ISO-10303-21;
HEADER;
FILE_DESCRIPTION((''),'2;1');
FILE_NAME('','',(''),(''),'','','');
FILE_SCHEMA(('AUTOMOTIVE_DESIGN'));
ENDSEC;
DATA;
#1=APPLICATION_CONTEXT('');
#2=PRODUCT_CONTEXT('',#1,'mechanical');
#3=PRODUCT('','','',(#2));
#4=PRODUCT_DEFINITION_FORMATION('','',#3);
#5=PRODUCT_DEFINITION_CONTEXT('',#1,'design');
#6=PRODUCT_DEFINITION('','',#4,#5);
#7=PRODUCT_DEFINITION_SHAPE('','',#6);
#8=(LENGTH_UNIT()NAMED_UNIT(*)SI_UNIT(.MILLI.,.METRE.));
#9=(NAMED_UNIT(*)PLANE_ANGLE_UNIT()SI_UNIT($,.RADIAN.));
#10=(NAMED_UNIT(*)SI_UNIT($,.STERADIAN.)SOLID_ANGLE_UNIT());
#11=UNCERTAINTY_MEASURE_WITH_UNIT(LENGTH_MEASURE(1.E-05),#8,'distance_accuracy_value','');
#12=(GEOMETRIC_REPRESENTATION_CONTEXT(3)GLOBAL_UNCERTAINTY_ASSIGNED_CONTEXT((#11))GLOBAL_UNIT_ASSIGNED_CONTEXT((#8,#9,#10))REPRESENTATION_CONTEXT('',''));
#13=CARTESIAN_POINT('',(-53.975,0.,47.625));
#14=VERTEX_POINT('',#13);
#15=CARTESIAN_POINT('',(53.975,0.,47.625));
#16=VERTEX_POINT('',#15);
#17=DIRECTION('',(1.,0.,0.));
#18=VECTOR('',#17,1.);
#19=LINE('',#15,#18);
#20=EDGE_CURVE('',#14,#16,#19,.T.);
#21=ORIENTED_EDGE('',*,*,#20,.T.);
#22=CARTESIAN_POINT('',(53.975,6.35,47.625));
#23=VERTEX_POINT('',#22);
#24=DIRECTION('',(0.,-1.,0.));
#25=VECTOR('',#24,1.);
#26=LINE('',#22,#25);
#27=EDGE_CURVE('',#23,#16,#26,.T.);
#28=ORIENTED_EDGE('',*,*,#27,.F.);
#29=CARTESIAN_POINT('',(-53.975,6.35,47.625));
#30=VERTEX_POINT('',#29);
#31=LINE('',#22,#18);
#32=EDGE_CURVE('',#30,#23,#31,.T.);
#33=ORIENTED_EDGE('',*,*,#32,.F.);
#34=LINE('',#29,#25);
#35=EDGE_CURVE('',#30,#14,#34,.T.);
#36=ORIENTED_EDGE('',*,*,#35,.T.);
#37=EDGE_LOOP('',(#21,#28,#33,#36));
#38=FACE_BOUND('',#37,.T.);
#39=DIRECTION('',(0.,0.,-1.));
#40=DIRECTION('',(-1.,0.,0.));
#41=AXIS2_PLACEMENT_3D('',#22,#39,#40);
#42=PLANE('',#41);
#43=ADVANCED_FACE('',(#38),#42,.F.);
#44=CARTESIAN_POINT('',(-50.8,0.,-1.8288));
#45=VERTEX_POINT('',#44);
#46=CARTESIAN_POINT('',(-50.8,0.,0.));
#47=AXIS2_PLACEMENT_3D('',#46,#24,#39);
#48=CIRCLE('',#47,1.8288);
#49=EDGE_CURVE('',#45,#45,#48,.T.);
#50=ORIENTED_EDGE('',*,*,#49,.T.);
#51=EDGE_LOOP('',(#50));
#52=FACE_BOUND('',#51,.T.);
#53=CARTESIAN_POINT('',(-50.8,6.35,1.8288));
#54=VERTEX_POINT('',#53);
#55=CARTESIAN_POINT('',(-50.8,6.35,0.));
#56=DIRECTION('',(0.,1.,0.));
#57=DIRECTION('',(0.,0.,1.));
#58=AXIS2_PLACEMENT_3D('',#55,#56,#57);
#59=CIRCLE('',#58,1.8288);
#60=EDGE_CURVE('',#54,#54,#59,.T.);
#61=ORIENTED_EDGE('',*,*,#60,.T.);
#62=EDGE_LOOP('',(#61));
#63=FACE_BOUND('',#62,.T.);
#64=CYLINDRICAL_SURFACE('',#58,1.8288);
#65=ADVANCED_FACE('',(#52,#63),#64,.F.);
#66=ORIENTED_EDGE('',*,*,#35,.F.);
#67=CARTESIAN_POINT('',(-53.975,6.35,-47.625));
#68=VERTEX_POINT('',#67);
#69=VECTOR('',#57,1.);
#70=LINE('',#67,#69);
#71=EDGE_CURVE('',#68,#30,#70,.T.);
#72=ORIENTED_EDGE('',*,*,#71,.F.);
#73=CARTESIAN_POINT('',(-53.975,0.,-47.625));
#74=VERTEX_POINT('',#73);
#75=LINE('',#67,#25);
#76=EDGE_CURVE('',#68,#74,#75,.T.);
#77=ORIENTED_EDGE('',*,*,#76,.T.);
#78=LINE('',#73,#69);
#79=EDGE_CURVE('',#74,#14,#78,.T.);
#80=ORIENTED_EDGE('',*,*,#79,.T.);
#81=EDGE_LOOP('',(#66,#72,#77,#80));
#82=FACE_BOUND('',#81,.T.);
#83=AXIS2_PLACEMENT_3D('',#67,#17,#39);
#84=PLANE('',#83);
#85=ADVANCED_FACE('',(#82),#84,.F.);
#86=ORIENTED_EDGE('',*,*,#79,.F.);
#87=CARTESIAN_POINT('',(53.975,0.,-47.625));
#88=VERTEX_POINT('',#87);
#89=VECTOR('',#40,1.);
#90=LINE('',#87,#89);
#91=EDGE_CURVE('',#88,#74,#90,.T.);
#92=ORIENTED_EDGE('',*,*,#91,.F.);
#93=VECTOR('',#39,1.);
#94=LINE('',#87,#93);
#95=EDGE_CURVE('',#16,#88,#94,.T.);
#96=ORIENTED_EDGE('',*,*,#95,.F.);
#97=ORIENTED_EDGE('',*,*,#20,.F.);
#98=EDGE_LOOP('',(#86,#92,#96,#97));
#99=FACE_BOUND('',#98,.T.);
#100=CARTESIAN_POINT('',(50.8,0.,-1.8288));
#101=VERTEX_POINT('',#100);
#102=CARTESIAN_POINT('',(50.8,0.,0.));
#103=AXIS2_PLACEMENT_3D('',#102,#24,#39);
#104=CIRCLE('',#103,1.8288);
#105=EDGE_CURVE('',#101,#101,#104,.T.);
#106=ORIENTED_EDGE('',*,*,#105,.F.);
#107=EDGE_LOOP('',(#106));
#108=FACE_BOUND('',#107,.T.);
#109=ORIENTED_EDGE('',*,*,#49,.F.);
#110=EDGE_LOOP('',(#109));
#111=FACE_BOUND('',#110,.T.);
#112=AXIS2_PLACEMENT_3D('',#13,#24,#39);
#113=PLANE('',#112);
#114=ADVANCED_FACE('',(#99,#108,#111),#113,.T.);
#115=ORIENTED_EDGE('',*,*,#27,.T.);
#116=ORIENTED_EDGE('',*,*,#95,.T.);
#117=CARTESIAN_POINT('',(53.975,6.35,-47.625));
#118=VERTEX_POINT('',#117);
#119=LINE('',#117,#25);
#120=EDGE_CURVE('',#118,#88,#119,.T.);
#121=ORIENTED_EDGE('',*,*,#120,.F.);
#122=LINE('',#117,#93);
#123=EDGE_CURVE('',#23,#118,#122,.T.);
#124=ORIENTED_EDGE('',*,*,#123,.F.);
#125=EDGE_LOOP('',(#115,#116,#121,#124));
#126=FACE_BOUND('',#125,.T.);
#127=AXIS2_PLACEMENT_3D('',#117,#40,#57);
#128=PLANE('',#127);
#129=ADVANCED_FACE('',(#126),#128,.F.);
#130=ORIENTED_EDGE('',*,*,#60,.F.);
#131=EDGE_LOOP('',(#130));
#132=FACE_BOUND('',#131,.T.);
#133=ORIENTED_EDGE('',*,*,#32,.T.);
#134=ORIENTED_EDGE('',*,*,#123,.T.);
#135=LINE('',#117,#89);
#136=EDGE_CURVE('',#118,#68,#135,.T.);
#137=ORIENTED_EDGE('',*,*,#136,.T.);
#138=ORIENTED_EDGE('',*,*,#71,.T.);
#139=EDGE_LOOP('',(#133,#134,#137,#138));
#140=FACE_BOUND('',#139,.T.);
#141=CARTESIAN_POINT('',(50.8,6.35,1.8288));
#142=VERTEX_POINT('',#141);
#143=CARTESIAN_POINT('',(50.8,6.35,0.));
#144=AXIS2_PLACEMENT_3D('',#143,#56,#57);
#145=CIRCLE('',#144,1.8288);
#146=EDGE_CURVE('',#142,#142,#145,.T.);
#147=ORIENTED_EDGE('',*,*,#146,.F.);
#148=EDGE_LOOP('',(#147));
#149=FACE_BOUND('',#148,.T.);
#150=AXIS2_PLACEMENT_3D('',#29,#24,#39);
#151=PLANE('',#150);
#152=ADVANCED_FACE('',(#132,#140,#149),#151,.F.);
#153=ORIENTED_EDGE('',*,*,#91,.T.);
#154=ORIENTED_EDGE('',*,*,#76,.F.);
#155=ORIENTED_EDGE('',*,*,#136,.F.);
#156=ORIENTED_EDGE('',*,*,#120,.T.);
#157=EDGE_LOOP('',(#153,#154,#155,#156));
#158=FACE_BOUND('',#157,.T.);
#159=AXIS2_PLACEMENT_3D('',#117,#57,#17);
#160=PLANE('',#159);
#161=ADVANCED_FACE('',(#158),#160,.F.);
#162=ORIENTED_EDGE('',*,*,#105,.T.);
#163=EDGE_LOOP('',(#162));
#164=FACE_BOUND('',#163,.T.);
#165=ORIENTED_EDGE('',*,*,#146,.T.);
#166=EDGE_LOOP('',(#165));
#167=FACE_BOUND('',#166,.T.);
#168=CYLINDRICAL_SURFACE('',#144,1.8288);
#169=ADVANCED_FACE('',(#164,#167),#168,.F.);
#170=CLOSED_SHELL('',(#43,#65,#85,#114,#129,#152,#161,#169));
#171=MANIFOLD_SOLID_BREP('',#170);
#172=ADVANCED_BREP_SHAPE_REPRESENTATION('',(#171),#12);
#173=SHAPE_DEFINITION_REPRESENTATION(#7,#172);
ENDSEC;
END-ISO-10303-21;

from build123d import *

# Parameters (mm, degrees)
SKETCH1_W                 = 107.95
SKETCH1_H                 = 95.25
BOSS_EXTRUDE1_DEPTH       = 6.35
F_6_CLEARANCE_HOLE1_D     = 3.6576
F_6_CLEARANCE_HOLE1_DEPTH = 25.4
F_6_CLEARANCE_HOLE1_TIP   = 1.0988539


with BuildPart() as part:
    # Sketch1 → Boss-Extrude1 (new body)
    with BuildSketch(Plane(origin=(0, 0, 0), x_dir=(1, 0, 0), z_dir=(0, 1, 0))):
        Rectangle(SKETCH1_W, SKETCH1_H)
    extrude(amount=BOSS_EXTRUDE1_DEPTH)

    # #6 Clearance Hole1
    with Locations(Plane(origin=(0, 6.35, 0), x_dir=(-1, 0, 0), z_dir=(0, 1, 0))):
        with Locations((50.8, 0), (-50.8, 0)):
            Hole(F_6_CLEARANCE_HOLE1_D / 2, depth=F_6_CLEARANCE_HOLE1_DEPTH)
            with Locations((0, 0, -(F_6_CLEARANCE_HOLE1_DEPTH + F_6_CLEARANCE_HOLE1_TIP / 2))):  # 118° drill point
                Cone(0, F_6_CLEARANCE_HOLE1_D / 2, F_6_CLEARANCE_HOLE1_TIP, mode=Mode.SUBTRACT)


solid = part.part
